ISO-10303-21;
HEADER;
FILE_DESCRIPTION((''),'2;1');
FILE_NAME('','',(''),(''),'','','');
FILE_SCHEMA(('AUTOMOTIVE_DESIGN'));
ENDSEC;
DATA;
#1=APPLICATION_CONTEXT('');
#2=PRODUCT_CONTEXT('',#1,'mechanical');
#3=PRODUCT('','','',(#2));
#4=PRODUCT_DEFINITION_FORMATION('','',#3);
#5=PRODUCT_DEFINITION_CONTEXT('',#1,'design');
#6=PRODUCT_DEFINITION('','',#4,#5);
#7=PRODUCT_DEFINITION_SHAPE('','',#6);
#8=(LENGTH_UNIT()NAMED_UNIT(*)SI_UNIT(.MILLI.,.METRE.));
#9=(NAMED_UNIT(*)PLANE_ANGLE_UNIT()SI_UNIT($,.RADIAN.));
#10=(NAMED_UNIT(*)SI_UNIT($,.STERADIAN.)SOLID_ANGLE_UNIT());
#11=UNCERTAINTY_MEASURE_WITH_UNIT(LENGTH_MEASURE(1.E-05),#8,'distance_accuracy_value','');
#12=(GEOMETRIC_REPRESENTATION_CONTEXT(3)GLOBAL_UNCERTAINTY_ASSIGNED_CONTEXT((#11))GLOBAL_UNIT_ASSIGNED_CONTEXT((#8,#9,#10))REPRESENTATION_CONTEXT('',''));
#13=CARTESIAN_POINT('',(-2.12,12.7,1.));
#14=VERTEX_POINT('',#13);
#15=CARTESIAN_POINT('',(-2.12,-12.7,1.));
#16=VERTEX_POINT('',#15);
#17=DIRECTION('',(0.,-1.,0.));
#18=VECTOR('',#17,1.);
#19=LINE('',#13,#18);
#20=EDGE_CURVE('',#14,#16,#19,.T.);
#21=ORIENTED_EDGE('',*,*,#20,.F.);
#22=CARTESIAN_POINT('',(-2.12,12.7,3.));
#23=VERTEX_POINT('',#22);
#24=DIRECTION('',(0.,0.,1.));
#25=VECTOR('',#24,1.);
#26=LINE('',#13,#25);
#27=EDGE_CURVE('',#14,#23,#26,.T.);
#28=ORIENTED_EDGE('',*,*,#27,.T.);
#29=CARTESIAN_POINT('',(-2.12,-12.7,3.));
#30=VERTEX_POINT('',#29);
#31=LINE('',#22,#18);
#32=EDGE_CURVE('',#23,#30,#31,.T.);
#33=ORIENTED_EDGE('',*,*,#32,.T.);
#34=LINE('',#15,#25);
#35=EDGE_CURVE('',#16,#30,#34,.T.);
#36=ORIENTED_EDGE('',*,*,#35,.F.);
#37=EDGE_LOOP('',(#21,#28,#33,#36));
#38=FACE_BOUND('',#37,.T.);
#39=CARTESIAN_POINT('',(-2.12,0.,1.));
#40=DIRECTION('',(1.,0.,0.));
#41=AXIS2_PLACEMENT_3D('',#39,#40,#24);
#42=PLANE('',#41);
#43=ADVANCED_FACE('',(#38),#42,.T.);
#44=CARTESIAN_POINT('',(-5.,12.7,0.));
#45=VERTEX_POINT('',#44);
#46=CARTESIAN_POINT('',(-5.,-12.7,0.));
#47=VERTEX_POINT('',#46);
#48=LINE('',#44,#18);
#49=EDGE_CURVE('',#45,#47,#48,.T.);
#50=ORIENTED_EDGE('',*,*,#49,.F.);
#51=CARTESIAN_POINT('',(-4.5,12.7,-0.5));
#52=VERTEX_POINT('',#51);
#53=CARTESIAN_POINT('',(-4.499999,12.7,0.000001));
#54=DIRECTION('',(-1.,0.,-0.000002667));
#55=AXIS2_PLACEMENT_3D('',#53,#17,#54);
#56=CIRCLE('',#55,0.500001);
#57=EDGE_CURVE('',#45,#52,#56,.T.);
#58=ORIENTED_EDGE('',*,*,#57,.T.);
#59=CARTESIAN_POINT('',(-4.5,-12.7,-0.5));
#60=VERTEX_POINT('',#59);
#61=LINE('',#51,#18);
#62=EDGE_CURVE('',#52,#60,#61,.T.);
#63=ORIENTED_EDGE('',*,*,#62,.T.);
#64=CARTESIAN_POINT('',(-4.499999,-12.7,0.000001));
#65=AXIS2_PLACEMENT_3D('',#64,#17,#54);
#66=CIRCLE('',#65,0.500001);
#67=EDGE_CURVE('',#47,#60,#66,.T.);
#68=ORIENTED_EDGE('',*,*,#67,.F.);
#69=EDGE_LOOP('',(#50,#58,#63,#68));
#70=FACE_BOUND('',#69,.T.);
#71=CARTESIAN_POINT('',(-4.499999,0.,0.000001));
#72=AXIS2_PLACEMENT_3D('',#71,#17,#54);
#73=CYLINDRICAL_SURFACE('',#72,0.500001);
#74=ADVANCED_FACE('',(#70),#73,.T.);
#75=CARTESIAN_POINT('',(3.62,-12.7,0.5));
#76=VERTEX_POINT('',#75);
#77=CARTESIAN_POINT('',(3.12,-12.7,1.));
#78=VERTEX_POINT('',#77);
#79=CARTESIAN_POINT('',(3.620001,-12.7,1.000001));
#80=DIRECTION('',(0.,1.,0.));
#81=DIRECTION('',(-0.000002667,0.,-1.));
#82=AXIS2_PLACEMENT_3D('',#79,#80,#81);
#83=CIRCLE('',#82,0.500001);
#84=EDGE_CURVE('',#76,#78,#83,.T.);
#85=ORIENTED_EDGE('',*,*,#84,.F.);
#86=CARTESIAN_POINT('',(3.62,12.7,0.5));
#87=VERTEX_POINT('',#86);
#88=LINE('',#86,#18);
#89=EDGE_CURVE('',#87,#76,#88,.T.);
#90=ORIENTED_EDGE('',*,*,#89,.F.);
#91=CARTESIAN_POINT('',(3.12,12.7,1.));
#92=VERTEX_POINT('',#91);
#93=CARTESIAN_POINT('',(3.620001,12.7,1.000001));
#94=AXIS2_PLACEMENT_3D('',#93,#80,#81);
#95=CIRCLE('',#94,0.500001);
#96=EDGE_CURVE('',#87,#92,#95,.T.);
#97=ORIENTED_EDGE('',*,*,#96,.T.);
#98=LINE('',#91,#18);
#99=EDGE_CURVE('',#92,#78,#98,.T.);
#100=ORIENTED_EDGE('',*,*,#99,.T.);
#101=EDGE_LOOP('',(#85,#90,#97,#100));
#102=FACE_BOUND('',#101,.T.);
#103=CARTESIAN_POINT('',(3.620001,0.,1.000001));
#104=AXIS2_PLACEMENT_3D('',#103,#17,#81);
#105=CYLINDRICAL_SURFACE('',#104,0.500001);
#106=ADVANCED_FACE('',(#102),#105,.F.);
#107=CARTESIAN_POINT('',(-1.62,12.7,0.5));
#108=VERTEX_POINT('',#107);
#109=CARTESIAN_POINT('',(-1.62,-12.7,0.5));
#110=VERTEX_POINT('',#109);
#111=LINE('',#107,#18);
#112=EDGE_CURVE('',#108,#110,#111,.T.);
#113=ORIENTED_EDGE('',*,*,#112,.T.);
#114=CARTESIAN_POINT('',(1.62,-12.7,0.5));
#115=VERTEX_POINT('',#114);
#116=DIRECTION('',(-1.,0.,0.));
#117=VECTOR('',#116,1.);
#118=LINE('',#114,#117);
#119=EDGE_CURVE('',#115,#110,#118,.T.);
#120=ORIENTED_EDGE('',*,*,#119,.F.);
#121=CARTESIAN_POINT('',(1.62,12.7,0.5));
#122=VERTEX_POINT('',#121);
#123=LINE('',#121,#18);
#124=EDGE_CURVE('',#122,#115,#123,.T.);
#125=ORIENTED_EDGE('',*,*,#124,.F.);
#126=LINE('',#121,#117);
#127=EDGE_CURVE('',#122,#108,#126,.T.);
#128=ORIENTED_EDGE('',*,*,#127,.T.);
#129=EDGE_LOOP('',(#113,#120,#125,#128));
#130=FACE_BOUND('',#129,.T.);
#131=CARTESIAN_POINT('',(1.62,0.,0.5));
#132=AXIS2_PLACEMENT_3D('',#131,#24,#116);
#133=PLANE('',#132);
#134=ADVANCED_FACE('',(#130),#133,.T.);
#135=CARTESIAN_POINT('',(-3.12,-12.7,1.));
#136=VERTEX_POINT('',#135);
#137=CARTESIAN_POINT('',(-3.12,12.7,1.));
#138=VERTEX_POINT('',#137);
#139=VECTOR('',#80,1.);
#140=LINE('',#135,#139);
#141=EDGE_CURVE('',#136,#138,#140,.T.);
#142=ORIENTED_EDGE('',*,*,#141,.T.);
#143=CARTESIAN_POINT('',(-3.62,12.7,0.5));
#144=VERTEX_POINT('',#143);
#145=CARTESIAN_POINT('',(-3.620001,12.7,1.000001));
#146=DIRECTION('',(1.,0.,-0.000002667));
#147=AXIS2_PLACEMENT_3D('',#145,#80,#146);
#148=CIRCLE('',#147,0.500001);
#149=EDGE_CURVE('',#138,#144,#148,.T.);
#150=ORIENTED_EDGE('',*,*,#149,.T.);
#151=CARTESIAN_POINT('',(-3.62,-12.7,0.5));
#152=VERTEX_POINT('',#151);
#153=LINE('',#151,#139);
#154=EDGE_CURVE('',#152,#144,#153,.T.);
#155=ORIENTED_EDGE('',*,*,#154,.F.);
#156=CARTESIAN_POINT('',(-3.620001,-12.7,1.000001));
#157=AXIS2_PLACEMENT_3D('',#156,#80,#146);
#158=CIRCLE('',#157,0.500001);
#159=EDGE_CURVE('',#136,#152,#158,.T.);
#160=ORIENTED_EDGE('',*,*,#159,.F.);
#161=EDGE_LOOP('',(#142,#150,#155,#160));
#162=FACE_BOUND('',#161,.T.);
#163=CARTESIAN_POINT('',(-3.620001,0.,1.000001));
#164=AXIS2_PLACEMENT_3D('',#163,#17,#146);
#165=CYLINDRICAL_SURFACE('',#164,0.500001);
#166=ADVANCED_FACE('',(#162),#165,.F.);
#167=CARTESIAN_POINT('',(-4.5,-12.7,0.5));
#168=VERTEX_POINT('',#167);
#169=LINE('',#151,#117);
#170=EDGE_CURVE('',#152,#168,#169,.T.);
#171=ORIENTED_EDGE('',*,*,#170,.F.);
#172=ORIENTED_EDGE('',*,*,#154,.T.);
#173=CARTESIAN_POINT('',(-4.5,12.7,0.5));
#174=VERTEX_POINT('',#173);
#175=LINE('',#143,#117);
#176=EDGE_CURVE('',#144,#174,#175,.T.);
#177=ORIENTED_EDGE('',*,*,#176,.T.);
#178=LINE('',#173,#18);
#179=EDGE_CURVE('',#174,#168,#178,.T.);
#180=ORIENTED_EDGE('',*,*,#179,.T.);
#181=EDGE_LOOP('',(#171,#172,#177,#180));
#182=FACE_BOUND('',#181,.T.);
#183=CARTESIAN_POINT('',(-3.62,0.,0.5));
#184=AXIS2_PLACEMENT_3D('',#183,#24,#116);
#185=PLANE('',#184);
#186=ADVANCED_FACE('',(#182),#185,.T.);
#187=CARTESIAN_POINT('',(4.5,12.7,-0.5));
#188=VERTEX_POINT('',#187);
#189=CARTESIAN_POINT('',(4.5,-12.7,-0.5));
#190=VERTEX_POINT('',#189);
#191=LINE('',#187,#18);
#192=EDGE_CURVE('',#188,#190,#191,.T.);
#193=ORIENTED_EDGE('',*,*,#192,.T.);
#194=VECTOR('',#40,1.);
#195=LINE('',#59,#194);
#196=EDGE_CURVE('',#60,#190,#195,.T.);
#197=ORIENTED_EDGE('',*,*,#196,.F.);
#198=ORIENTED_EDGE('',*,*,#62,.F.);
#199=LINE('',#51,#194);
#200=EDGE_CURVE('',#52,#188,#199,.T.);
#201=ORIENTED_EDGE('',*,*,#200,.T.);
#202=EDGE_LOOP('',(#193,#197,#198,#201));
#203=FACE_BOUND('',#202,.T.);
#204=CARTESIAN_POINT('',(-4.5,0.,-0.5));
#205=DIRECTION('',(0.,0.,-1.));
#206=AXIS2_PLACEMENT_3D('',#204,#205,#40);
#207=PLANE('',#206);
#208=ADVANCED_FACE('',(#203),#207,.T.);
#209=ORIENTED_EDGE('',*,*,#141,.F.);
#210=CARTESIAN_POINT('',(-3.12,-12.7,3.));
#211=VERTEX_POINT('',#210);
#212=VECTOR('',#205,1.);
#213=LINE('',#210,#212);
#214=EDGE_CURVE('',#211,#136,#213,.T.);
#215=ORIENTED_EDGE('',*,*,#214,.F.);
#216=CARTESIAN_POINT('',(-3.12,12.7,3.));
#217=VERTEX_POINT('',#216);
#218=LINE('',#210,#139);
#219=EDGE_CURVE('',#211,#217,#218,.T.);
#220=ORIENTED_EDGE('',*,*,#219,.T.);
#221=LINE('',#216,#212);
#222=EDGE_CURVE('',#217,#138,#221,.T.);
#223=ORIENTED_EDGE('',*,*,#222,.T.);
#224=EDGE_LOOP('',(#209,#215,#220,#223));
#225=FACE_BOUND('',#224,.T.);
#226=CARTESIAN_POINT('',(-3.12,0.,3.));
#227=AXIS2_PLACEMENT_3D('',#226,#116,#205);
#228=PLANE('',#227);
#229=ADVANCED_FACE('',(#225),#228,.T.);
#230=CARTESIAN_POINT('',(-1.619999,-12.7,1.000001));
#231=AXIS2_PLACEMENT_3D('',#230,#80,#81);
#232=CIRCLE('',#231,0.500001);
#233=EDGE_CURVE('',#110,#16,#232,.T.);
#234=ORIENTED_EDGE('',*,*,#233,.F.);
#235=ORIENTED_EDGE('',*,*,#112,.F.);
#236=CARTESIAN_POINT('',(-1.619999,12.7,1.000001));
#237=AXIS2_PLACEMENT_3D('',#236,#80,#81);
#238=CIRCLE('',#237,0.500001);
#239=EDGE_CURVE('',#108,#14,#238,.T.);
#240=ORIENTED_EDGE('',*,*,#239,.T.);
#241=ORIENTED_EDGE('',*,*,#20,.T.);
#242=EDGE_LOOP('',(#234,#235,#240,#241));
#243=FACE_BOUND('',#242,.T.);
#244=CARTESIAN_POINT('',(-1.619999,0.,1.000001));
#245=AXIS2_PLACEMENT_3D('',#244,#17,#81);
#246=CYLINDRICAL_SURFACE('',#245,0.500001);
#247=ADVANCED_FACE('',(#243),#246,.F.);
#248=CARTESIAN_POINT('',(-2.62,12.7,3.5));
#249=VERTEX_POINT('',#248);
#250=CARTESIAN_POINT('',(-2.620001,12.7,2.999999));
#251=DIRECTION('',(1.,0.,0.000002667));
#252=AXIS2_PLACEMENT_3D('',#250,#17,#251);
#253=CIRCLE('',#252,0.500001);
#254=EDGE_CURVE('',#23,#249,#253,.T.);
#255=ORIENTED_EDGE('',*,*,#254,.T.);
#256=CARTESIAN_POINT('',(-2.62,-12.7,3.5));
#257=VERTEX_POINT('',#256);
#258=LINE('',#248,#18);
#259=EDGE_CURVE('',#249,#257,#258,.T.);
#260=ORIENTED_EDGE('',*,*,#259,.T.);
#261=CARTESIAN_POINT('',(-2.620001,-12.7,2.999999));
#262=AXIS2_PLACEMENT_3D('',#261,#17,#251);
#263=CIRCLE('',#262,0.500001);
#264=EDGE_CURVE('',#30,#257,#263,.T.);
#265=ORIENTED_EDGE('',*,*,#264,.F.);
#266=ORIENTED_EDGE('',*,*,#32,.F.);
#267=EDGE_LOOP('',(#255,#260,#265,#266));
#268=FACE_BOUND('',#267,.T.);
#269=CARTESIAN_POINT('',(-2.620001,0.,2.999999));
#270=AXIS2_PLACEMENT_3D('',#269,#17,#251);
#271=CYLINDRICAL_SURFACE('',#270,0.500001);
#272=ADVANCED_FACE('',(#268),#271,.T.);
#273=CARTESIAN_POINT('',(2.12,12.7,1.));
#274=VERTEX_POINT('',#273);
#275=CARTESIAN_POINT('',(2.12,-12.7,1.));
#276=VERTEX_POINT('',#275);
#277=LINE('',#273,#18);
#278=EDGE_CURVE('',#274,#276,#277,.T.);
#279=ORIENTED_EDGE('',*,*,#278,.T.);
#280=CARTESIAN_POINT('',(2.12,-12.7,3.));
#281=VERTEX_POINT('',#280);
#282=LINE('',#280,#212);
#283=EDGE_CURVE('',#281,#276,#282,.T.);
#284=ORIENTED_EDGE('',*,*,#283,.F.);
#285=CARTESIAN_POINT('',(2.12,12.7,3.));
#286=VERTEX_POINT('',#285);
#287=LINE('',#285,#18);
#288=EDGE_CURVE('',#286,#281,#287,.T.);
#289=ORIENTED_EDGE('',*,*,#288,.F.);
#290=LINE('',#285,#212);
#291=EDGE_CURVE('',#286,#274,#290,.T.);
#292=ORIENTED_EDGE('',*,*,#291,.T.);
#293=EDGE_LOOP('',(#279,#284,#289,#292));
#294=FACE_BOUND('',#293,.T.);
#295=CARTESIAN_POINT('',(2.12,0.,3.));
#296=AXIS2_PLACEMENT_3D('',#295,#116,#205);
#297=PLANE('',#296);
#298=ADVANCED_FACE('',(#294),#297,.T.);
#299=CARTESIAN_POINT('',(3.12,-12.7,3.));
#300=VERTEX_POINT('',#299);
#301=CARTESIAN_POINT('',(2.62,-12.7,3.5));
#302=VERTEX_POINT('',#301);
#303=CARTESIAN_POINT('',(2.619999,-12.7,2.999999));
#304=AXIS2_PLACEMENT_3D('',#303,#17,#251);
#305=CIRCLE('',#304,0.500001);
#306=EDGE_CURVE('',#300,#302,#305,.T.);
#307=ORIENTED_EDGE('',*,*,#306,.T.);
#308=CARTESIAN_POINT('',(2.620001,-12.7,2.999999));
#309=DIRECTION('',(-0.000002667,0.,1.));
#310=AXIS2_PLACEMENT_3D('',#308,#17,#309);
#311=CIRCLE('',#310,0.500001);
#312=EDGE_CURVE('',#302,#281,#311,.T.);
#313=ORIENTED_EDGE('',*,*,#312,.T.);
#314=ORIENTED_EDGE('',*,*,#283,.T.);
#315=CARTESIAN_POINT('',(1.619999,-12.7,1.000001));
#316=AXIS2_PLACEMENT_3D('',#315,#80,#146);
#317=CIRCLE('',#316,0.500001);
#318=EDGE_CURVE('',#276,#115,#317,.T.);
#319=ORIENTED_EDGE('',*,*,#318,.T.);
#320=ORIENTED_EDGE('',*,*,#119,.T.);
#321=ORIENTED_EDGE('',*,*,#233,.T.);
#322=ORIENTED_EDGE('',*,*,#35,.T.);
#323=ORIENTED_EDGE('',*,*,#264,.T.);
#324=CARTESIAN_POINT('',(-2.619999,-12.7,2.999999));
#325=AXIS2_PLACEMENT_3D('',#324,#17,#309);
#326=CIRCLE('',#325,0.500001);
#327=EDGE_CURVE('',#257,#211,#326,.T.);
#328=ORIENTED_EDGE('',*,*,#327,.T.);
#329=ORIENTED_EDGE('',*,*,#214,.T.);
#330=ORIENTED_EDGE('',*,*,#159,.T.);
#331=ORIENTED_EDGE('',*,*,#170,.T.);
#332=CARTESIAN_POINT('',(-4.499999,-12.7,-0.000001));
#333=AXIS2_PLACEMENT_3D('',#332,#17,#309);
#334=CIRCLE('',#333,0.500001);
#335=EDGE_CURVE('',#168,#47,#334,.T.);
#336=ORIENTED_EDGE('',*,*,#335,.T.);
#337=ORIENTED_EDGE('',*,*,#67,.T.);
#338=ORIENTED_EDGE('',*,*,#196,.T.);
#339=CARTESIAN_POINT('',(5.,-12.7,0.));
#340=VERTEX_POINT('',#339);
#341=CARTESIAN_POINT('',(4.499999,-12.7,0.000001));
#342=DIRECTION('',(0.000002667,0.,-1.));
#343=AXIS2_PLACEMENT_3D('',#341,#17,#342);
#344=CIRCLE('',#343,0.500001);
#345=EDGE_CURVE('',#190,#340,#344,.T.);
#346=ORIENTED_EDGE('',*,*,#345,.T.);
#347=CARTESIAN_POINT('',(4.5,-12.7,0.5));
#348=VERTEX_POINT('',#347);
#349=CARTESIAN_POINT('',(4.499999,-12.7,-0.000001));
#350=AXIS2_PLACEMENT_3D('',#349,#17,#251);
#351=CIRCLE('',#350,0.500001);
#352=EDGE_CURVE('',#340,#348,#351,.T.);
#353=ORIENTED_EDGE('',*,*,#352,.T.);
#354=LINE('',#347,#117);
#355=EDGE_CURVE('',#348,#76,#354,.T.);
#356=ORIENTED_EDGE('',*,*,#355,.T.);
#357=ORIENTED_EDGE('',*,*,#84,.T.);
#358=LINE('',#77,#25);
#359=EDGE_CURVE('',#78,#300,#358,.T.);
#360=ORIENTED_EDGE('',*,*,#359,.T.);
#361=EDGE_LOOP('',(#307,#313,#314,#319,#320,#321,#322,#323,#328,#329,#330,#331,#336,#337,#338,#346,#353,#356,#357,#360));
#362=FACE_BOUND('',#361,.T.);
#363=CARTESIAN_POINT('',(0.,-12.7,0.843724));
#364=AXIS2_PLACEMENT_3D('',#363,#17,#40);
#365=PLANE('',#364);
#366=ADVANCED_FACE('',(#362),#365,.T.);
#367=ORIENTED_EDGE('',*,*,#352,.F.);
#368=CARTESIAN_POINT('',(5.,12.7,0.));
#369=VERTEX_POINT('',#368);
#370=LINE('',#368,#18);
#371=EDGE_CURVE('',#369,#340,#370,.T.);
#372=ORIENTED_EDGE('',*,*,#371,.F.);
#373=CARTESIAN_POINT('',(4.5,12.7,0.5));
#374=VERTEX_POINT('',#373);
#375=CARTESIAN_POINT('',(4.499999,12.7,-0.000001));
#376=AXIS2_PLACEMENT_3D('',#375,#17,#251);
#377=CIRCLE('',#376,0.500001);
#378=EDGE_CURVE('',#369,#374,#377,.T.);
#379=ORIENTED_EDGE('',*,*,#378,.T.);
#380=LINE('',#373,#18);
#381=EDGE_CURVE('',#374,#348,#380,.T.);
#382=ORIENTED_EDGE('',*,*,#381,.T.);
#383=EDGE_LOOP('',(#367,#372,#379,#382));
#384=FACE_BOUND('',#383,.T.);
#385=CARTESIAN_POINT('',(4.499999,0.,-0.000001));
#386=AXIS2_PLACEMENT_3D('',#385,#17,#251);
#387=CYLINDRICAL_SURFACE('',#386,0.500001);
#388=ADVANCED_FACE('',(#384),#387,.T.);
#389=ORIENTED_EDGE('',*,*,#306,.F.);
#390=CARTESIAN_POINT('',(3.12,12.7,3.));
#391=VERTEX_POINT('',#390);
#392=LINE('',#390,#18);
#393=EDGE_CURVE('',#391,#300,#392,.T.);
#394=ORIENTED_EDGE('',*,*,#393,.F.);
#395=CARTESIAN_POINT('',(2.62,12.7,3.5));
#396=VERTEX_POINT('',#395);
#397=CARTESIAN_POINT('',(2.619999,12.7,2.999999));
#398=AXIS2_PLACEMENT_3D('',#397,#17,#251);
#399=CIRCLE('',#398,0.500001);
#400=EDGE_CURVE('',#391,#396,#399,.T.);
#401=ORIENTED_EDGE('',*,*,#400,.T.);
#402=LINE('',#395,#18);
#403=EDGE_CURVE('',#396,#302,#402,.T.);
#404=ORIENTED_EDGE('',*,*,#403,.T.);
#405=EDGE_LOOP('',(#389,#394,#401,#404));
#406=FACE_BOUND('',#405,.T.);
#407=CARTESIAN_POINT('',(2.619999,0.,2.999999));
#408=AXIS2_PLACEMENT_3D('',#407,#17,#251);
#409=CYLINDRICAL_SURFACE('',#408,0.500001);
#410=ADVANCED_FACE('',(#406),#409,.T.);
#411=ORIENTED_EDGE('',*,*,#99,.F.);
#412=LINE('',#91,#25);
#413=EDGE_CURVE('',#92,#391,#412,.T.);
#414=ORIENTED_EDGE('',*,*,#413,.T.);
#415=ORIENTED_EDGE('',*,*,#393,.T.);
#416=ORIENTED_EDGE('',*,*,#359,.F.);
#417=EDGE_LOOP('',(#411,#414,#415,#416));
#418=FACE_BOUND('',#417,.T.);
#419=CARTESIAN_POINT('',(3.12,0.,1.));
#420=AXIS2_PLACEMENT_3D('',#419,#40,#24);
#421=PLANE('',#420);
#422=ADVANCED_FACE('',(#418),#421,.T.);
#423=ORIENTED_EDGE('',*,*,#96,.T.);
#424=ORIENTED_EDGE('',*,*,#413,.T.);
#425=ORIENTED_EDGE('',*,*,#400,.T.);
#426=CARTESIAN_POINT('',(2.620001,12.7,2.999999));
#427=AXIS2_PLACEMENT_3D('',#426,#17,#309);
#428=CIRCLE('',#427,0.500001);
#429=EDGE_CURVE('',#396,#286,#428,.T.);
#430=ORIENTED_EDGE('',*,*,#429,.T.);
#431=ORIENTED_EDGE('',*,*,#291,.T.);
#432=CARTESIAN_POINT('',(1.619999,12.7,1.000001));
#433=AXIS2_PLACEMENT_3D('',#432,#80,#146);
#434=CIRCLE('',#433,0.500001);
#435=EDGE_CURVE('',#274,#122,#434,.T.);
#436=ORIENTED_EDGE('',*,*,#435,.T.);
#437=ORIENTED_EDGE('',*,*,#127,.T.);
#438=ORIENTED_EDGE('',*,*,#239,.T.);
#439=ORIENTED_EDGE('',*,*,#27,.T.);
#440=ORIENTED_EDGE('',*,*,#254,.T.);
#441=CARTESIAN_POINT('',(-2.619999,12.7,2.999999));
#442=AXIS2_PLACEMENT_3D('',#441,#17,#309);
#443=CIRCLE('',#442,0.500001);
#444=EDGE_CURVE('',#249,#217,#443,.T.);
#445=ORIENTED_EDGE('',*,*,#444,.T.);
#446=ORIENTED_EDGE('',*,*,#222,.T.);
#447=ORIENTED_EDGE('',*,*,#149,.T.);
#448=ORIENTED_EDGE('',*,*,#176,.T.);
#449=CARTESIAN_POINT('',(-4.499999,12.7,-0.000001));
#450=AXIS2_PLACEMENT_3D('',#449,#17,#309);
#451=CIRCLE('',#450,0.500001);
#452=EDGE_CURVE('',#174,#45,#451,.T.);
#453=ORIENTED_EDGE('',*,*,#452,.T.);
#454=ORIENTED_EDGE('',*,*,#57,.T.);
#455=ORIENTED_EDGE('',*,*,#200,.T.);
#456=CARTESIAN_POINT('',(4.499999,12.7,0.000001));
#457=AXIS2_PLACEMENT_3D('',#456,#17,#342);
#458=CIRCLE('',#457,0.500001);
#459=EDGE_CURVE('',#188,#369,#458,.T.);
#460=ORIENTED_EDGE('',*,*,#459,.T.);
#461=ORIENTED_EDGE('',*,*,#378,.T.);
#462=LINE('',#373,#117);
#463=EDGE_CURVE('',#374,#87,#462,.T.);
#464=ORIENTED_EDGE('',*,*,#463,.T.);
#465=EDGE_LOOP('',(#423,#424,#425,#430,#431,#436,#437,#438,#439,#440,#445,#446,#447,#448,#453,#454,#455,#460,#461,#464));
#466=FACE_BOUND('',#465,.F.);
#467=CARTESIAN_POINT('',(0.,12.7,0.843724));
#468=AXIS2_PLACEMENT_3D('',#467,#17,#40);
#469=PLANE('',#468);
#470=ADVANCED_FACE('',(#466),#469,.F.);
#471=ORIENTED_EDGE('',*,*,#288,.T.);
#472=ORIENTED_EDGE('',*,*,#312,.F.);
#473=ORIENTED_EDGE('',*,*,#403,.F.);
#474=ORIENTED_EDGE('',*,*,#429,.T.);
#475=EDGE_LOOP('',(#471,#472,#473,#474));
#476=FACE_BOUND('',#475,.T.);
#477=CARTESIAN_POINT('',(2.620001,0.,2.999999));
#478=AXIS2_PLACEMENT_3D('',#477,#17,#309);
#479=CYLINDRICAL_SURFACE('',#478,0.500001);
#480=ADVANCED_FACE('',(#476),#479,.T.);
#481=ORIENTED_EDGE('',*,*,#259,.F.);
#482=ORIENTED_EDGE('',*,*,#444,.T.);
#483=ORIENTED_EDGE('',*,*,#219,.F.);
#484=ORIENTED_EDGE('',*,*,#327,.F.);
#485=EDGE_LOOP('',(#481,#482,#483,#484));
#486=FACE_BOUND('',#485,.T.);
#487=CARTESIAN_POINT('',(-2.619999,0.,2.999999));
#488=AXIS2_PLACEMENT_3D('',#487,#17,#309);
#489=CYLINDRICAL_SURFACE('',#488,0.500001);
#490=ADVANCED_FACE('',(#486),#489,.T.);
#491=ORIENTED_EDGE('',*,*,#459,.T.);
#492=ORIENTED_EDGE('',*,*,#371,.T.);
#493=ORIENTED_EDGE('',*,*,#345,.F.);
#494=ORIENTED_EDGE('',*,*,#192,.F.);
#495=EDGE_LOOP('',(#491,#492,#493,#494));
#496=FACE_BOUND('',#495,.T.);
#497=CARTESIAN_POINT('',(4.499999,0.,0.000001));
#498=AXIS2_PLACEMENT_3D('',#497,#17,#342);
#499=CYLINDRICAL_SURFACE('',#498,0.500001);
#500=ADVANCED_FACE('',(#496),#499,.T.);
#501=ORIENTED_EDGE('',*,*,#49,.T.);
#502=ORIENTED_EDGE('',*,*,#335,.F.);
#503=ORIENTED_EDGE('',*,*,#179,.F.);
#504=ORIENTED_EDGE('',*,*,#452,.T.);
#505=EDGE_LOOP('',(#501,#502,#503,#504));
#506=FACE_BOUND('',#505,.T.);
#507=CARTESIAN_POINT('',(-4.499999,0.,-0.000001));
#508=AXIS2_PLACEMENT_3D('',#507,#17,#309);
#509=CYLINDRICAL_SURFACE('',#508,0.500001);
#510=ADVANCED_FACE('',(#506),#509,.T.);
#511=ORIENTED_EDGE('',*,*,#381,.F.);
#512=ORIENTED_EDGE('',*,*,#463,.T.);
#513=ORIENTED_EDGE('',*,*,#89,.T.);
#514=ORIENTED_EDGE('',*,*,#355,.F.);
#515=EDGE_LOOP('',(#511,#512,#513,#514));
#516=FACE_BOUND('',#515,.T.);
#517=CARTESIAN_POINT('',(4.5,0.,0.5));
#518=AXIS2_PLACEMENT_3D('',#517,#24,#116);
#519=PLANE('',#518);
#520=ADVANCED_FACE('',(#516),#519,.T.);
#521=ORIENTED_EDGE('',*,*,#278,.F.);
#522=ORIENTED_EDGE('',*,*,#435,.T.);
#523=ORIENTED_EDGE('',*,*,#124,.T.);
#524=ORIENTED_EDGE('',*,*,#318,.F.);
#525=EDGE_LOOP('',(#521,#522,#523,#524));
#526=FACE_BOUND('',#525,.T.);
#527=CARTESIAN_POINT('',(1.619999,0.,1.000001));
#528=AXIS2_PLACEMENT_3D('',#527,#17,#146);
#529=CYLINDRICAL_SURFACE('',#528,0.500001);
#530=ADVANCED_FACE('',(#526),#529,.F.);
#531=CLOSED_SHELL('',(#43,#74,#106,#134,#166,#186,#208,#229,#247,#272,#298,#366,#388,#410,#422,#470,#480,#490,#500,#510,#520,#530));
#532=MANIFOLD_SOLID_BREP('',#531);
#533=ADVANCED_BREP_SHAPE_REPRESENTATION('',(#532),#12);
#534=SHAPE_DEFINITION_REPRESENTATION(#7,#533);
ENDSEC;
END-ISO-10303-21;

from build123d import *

# Parameters (mm, degrees)
F1_DEPTH = 12.7


with BuildPart() as f1:
    # F0 (on Front) → F1 (new body, symmetric)
    with BuildSketch(Plane.XZ):
        with BuildLine():
            Line((-3.62, 0.5), (-4.5, 0.5))
            ThreePointArc((-4.5, 0.5), (-4.853553, 0.353553), (-5, 0))
            ThreePointArc((-5, 0), (-4.853553, -0.353553), (-4.5, -0.5))
            Line((-4.5, -0.5), (4.5, -0.5))
            ThreePointArc((4.5, -0.5), (4.853553, -0.353553), (5, 0))
            ThreePointArc((5, 0), (4.853553, 0.353553), (4.5, 0.5))
            Line((4.5, 0.5), (3.62, 0.5))
            ThreePointArc((3.62, 0.5), (3.266447, 0.646447), (3.12, 1))
            Line((3.12, 1), (3.12, 3))
            ThreePointArc((3.12, 3), (2.973553, 3.353553), (2.62, 3.5))
            ThreePointArc((2.62, 3.5), (2.266447, 3.353553), (2.12, 3))
            Line((2.12, 3), (2.12, 1))
            ThreePointArc((2.12, 1), (1.973553, 0.646447), (1.62, 0.5))
            Line((1.62, 0.5), (-1.62, 0.5))
            ThreePointArc((-1.62, 0.5), (-1.973553, 0.646447), (-2.12, 1))
            Line((-2.12, 1), (-2.12, 3))
            ThreePointArc((-2.12, 3), (-2.266447, 3.353553), (-2.62, 3.5))
            ThreePointArc((-2.62, 3.5), (-2.973553, 3.353553), (-3.12, 3))
            Line((-3.12, 3), (-3.12, 1))
            ThreePointArc((-3.12, 1), (-3.266447, 0.646447), (-3.62, 0.5))
        make_face()
    extrude(amount=F1_DEPTH, both=True)


solid = f1.part
